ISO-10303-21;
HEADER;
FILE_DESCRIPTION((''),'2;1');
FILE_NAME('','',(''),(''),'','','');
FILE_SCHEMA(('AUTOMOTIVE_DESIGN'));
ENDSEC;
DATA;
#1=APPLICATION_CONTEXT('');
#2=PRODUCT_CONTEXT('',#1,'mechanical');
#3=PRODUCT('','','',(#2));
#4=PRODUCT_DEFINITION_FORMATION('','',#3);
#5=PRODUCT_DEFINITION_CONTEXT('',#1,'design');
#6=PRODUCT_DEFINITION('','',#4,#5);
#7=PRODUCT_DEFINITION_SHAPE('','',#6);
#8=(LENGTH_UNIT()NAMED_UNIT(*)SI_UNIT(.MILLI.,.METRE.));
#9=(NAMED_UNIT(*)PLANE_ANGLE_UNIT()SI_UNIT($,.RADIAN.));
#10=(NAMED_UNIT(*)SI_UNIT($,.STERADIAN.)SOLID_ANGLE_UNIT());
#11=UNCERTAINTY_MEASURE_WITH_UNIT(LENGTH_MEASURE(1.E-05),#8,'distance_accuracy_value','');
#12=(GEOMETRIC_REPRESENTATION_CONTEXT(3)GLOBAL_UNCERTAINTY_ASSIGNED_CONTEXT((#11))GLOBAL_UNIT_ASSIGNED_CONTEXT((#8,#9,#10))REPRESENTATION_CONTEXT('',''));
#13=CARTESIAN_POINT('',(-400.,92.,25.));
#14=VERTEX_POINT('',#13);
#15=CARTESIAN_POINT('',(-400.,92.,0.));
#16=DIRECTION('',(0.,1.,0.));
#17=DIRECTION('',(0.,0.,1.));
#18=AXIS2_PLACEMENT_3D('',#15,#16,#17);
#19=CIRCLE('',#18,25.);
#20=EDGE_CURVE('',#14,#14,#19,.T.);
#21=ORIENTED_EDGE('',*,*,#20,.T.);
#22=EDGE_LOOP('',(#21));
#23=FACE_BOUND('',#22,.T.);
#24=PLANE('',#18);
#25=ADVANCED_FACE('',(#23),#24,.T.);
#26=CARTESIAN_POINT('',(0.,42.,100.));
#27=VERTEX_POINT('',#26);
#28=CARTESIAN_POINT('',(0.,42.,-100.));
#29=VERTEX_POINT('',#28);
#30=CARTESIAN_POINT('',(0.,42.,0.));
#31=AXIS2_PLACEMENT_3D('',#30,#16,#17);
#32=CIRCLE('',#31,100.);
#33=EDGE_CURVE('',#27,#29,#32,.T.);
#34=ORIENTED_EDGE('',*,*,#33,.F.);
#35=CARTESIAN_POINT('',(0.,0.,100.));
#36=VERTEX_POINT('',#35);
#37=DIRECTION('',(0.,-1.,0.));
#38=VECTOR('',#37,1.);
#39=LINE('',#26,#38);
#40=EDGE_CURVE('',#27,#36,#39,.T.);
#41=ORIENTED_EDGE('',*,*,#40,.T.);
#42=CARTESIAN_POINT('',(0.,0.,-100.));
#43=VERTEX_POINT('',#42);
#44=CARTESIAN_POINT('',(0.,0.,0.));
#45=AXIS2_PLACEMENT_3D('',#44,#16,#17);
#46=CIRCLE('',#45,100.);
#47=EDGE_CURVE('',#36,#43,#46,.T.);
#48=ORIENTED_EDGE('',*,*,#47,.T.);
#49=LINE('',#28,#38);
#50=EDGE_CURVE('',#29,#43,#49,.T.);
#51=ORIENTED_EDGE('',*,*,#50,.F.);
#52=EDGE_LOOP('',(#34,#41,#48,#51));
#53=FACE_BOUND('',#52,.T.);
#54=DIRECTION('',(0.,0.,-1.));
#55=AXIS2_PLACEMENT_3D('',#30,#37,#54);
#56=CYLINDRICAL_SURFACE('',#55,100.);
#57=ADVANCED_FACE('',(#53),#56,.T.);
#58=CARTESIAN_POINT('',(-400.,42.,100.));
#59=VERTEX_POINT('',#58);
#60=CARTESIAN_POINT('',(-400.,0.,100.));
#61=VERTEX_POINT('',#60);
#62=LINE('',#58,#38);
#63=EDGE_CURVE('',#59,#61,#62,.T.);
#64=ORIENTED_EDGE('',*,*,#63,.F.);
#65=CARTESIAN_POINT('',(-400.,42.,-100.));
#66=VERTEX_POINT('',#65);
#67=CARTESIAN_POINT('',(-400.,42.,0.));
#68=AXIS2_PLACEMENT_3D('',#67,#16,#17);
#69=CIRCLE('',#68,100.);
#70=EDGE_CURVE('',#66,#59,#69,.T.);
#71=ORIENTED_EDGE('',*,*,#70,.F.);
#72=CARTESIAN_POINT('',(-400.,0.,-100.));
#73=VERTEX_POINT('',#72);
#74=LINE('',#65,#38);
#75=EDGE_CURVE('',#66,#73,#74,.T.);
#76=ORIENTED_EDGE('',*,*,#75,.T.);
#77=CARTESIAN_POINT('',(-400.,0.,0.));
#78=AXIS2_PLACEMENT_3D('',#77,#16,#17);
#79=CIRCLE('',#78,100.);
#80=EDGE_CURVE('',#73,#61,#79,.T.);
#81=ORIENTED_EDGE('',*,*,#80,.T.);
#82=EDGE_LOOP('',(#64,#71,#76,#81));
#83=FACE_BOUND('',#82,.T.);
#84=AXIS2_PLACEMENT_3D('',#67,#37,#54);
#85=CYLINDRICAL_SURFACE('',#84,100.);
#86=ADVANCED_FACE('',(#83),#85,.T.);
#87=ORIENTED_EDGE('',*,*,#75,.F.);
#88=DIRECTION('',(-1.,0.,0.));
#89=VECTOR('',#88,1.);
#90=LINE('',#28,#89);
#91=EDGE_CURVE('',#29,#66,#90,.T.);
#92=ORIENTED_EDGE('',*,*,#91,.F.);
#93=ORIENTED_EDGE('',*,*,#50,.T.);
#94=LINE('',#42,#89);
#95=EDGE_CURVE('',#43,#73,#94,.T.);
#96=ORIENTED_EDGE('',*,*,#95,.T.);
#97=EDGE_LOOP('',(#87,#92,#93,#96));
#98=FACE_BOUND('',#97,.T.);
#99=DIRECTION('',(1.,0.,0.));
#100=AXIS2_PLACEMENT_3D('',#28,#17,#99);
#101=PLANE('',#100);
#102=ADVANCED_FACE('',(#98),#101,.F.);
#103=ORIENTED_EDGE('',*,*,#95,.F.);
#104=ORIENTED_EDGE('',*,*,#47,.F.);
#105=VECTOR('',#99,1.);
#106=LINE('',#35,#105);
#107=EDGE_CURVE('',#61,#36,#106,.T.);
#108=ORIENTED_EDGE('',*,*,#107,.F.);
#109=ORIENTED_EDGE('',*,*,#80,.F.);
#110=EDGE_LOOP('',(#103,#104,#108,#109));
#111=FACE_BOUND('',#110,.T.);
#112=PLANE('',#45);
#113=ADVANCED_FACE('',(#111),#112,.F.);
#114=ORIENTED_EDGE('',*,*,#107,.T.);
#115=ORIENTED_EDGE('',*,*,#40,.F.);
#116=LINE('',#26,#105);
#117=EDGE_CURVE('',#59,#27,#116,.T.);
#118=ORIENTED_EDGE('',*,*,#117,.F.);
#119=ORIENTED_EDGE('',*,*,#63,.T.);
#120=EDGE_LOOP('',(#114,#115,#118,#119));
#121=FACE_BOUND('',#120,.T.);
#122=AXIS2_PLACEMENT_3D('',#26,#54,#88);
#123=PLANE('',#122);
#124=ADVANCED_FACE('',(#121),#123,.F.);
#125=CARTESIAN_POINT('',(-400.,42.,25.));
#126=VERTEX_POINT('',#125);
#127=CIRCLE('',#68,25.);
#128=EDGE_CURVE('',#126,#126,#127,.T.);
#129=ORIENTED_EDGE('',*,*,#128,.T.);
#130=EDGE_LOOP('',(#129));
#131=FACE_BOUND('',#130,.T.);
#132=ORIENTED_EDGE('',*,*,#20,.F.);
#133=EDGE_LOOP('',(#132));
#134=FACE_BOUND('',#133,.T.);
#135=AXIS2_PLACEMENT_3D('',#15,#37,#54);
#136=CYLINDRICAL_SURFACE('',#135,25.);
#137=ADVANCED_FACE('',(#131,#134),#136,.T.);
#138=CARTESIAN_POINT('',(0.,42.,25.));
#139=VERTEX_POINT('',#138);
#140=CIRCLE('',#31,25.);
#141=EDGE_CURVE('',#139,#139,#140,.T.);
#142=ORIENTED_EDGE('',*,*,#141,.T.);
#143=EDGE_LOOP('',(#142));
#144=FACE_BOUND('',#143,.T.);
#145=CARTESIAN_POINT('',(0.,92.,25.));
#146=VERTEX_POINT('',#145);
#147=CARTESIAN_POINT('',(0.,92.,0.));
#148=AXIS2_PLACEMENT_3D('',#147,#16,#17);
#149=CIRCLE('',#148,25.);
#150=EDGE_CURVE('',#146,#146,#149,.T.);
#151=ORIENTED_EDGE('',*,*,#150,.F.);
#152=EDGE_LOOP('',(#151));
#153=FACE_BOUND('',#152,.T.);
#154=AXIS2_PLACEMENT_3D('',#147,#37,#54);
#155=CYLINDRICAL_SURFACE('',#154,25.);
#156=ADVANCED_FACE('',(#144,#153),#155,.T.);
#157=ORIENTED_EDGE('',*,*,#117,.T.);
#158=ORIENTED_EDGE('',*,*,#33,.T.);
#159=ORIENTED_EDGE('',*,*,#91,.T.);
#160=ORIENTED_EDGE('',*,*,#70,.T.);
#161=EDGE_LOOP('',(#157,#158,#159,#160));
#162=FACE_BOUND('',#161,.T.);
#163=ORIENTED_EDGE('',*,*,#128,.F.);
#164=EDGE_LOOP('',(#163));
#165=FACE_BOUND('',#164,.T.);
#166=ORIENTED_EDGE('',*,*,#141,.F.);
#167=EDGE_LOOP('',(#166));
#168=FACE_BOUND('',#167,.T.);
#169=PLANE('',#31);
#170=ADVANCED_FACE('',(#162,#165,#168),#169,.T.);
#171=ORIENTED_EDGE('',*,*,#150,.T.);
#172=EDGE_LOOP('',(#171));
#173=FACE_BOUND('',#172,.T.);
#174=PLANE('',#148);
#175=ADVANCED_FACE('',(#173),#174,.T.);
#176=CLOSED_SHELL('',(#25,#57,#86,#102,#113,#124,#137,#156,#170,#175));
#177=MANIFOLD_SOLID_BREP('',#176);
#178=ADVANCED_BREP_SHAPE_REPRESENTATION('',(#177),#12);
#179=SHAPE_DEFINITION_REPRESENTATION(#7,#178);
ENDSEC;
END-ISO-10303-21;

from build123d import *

# Parameters (mm, degrees)
BOSS_EXTRUDE1_DEPTH = 42
SKETCH3_R           = 25
BOSS_EXTRUDE2_DEPTH = 50
SKETCH4_R           = 25
BOSS_EXTRUDE3_DEPTH = 50


with BuildPart() as part:
    # Sketch2 → Boss-Extrude1 (new body)
    with BuildSketch(Plane(origin=(0, 0, 0), x_dir=(1, 0, 0), z_dir=(0, 1, 0))):
        with BuildLine():
            Line((0, -100), (-400, -100))
            ThreePointArc((-400, -100), (-500, 0), (-400, 100))
            Line((-400, 100), (0, 100))
            ThreePointArc((0, 100), (100, 0), (0, -100))
        make_face()
    extrude(amount=BOSS_EXTRUDE1_DEPTH)

    # Sketch3 → Boss-Extrude2 (add)
    with BuildSketch(Plane(origin=(0, 42, 0), x_dir=(1, 0, 0), z_dir=(0, 1, 0))):
        Circle(SKETCH3_R)
    extrude(amount=BOSS_EXTRUDE2_DEPTH)

    # Sketch4 → Boss-Extrude3 (add)
    with BuildSketch(Plane(origin=(0, 42, 0), x_dir=(1, 0, 0), z_dir=(0, 1, 0))):
        with Locations((-400, 0)):
            Circle(SKETCH4_R)
    extrude(amount=BOSS_EXTRUDE3_DEPTH)


solid = part.part
